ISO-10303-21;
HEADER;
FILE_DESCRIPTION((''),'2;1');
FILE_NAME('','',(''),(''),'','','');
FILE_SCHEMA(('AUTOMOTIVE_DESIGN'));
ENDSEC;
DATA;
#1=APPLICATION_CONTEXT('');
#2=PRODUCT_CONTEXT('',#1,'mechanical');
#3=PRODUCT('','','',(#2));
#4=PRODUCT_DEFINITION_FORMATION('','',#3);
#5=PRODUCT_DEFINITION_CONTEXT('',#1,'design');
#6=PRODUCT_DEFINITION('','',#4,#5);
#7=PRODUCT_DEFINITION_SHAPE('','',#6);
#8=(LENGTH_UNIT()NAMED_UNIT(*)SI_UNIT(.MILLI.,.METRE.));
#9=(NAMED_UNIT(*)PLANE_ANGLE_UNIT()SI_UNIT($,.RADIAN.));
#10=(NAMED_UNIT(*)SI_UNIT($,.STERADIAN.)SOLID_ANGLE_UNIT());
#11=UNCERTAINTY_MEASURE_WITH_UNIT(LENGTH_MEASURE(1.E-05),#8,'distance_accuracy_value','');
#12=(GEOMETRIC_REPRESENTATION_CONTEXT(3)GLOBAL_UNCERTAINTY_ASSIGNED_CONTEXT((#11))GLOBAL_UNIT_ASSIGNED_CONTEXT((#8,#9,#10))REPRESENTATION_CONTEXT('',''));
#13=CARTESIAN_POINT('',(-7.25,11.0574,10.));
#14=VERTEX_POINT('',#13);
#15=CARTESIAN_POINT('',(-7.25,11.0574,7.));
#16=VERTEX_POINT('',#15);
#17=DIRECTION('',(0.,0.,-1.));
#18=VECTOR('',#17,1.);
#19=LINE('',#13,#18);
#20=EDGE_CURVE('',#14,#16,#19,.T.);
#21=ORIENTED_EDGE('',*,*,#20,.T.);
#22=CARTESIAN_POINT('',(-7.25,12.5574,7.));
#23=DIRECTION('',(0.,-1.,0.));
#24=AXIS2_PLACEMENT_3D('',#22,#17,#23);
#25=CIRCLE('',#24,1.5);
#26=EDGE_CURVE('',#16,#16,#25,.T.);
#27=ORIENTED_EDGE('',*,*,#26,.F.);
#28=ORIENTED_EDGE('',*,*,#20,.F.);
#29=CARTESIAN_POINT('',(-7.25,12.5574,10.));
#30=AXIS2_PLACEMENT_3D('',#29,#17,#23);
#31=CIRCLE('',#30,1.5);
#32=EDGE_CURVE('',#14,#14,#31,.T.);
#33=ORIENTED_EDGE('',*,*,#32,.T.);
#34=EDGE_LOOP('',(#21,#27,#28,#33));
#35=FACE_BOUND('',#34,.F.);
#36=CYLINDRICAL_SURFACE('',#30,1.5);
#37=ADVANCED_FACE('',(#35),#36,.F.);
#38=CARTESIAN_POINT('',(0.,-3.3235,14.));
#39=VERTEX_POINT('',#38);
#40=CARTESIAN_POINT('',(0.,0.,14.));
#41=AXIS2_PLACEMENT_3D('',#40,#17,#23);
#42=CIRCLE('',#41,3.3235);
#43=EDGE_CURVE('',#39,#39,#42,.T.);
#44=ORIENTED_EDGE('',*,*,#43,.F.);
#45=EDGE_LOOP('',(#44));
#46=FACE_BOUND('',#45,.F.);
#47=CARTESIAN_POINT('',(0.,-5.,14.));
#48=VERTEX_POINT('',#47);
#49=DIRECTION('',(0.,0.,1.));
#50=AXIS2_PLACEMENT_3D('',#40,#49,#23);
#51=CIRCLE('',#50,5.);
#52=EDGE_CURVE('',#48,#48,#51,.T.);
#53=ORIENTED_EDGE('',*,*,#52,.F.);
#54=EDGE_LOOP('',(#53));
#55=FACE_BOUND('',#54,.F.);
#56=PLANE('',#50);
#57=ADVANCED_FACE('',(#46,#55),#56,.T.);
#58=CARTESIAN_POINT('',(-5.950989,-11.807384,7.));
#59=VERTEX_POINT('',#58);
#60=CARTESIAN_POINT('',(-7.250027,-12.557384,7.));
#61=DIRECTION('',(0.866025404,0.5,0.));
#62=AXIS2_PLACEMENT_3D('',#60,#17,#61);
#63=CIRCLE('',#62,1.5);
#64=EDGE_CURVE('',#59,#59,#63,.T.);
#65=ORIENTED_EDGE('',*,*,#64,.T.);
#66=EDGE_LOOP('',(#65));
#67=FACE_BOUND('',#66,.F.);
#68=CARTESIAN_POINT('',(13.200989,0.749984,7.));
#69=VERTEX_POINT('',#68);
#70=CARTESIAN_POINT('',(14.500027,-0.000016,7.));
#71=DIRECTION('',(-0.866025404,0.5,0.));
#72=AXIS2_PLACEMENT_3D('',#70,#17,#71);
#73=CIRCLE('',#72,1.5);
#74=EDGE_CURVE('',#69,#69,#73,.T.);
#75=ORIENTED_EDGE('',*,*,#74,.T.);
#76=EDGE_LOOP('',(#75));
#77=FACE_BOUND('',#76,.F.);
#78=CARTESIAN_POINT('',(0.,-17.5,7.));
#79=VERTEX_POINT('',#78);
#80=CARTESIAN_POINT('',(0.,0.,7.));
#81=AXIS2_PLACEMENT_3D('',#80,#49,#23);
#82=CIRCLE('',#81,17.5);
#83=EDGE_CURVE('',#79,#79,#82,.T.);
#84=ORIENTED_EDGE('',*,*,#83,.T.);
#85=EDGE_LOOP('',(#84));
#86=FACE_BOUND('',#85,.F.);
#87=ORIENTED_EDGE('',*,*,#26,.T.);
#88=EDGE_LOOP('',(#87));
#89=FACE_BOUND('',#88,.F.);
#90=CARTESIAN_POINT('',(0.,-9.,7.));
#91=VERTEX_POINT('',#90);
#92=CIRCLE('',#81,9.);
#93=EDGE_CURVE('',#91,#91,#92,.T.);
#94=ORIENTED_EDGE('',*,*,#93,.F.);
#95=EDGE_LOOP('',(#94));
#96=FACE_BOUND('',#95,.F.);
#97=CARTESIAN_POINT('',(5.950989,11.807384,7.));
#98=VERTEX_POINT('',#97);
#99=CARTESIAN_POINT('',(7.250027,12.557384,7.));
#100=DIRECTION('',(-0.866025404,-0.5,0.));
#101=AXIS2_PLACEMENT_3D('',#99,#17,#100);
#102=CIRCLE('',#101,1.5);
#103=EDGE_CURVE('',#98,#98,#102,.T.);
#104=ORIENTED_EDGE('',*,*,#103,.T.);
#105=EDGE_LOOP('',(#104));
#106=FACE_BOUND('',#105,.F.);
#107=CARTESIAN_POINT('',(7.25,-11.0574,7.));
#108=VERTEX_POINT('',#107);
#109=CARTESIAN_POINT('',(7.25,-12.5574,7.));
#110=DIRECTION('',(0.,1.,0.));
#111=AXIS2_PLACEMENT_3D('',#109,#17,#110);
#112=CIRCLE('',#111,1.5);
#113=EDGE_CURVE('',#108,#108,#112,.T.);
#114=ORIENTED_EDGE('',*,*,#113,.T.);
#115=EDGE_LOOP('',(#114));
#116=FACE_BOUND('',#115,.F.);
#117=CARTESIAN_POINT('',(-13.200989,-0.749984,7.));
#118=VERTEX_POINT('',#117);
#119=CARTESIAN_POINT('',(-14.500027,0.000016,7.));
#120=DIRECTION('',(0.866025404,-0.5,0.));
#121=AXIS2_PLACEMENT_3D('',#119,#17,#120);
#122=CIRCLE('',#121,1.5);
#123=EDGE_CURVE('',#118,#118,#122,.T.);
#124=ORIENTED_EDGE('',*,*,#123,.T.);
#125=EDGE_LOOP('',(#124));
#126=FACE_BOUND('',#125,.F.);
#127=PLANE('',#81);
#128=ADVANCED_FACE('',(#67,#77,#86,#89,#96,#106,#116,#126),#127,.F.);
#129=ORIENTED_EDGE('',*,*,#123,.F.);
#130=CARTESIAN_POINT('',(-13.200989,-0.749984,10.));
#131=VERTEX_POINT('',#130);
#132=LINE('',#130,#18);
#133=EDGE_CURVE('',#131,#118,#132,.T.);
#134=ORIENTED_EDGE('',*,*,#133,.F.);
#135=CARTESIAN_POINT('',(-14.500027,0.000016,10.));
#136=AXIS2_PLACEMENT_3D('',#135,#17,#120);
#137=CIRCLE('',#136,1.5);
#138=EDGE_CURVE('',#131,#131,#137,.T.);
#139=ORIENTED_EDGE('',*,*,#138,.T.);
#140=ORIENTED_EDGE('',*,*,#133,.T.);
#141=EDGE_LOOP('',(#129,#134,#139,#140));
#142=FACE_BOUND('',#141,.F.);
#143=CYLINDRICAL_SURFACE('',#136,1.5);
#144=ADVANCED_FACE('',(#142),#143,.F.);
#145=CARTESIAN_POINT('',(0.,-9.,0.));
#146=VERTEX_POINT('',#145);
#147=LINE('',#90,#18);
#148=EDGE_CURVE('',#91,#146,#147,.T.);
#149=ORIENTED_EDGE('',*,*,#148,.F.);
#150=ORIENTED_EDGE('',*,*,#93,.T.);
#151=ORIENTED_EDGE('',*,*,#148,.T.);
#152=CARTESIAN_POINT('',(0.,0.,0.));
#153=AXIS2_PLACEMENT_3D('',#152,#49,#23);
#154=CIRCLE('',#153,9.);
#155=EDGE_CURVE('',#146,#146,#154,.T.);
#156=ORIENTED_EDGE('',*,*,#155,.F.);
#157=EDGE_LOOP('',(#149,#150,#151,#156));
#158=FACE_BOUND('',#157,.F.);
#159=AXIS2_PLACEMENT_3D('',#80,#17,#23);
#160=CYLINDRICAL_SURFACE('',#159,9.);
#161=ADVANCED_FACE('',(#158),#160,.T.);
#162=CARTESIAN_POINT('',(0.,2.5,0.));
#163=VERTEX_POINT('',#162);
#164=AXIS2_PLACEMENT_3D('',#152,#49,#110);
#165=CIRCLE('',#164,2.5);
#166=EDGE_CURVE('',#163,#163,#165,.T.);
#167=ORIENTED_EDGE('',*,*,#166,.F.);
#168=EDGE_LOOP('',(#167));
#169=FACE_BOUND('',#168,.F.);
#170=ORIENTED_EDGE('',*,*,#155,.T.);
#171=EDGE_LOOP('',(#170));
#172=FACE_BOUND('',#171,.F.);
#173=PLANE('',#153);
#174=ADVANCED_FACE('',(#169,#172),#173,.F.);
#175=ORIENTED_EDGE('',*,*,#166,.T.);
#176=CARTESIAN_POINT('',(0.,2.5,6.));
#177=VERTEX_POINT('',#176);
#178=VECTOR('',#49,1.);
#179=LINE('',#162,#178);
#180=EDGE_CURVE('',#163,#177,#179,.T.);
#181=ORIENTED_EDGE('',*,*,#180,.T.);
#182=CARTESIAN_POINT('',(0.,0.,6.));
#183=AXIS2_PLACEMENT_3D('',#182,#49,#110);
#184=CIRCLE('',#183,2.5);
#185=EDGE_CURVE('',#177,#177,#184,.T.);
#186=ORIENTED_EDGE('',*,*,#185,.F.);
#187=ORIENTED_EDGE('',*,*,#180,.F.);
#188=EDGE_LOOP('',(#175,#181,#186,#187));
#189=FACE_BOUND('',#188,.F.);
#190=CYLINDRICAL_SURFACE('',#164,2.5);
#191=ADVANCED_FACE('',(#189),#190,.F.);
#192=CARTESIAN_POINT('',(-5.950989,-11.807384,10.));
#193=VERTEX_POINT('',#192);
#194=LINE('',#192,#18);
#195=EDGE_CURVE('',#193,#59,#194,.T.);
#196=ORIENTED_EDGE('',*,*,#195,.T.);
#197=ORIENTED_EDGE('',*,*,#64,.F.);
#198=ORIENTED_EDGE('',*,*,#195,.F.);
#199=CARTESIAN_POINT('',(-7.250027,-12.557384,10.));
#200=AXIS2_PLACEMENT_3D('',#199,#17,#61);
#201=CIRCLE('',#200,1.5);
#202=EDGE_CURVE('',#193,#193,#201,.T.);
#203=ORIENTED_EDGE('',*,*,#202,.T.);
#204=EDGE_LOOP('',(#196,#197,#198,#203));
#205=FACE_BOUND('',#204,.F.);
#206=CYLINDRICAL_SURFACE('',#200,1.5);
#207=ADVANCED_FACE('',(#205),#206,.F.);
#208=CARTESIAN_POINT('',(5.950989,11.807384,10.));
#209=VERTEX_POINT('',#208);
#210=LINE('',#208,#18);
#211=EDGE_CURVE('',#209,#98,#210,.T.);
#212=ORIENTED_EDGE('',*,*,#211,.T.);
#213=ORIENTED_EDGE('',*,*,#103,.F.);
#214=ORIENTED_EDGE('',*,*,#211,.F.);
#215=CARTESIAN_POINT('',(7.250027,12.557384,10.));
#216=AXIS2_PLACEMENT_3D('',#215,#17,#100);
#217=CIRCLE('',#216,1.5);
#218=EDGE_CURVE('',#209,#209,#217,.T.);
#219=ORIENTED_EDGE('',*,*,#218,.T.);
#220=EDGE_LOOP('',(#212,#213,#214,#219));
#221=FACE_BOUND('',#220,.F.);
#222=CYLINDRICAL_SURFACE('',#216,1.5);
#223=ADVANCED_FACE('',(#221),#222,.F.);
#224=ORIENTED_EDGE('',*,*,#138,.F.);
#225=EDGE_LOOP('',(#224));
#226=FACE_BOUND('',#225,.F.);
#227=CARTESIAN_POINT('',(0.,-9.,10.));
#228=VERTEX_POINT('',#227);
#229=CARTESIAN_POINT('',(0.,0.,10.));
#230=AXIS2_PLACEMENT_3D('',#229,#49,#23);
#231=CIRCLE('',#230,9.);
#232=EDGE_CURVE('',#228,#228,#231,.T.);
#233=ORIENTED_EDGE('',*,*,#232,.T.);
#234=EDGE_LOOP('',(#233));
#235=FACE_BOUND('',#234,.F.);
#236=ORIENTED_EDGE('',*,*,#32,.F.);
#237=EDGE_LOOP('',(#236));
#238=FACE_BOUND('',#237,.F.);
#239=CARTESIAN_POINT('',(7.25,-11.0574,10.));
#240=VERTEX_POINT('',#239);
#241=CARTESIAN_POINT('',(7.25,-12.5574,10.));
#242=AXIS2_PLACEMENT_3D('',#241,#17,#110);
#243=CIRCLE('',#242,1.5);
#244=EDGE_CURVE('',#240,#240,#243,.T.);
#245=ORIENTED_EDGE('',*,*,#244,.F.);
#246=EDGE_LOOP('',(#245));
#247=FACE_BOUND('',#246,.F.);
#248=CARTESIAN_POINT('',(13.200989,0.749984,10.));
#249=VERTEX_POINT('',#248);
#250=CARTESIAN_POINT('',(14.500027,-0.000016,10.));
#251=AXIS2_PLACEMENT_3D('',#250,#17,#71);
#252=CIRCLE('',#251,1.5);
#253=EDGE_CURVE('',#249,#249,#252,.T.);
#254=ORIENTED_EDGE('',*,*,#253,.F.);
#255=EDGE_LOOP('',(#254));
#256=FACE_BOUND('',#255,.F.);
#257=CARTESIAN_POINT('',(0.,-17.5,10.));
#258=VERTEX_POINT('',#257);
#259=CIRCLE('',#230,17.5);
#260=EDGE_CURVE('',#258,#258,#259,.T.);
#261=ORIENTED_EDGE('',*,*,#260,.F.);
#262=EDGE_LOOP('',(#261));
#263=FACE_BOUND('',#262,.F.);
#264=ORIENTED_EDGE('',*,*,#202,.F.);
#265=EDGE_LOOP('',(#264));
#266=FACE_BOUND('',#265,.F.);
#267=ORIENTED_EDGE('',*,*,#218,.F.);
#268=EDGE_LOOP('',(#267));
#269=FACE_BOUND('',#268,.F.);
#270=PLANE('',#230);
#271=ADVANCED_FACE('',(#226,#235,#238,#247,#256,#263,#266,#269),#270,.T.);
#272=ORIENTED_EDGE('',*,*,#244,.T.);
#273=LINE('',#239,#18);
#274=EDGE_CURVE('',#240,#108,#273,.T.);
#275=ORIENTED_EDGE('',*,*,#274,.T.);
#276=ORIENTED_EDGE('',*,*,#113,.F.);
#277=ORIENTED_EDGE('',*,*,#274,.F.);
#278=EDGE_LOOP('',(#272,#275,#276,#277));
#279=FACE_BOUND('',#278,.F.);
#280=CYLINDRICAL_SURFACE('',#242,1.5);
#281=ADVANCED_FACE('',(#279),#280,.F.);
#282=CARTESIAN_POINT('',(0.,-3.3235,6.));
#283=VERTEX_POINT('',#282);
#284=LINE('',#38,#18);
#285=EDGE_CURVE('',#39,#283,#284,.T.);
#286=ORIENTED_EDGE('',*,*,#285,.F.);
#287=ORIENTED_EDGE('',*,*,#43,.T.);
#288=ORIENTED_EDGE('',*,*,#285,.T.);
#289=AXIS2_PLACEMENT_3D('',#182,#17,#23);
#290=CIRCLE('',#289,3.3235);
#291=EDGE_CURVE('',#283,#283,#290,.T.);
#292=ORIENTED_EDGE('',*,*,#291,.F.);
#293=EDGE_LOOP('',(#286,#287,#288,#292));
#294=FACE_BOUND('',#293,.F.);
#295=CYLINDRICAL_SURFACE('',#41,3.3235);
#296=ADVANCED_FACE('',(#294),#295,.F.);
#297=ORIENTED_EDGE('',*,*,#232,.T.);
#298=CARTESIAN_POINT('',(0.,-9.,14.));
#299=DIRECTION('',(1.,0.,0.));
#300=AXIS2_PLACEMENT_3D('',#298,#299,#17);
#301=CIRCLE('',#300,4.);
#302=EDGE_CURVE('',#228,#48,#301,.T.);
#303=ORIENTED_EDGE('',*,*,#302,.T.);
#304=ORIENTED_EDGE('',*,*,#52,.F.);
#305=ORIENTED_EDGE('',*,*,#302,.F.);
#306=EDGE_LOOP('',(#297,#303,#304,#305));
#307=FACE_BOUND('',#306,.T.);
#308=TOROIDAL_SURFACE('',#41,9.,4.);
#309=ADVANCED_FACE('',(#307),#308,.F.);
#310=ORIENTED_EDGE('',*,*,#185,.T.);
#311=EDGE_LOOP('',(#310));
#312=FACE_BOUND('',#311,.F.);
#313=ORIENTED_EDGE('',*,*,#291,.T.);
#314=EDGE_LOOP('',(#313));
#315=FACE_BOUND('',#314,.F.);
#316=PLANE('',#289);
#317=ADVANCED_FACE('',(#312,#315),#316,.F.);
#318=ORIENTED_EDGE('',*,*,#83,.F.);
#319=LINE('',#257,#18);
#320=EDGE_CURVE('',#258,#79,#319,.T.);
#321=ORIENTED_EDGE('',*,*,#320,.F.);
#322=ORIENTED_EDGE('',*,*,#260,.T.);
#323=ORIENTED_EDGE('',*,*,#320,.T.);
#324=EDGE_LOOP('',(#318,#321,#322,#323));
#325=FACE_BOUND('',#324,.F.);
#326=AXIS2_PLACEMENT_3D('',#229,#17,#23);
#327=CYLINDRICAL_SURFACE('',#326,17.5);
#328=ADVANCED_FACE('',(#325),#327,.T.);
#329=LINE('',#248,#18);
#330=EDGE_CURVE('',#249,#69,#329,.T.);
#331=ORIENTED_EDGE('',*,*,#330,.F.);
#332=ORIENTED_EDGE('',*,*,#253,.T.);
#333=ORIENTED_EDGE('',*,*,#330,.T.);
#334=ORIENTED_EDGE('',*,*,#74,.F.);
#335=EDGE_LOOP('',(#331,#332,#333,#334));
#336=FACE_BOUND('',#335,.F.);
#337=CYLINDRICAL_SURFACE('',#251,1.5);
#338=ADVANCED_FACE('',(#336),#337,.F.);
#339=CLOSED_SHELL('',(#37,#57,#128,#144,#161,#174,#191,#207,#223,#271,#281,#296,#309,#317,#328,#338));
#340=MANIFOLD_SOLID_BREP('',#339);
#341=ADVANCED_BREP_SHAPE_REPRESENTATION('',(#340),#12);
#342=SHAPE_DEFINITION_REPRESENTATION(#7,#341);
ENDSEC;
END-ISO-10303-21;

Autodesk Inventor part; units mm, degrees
ref_plane "XZ Plane" through (0, 0, 0) normal (0, 1, 0) x (-1, 0, 0)
ref_plane "XY Plane" through (0, 0, 0) normal (0, 0, 1) x (1, 0, 0)
ref_plane "Work Plane1" through (0, 0, 0) normal (1, 0, 0) x (0, 1, 0)
sketch "Sketch3" plane through (0, 0, 0) normal (1, 0, 0) x (0, 1, 0)
  line L0 (0, 0) -> (0, 14)
  line L1 (0, 14) -> (-5, 14)
  arc A0 (-9, 10) -> (-5, 14) centre (-9, 14) ccw
  line L2 (-9, 10) -> (-17.5, 10)
  line L3 (-17.5, 10) -> (-17.5, 7)
  line L4 (-17.5, 7) -> (-9, 7)
  line L5 (-9, 7) -> (-9, 0)
  line L6 (-9, 0) -> (0, 0)
  dimension "d10" = 4
  dimension "d11" = 3
  dimension "d12" = 35
  dimension "d13" = 7
  dimension "d14" = 18
revolve "Revolution2" add sketch "Sketch3" angle 360 about axis through (0, 0, 0) along (0, 0, 1)
sketch "Sketch4" plane through (0, 0, 14) normal (0, 0, 1) x (1, 0, 0)
  circle A0 centre (0, 0) radius 5 projected
  point P0 (0, 0)
hole "Hole1" at (0, 0, 14) direction (0, 0, -1) diameter 6.647 depth 8 thread size "M8x1.25" class "6H" standard "ISO Metric profile"
sketch "Sketch5" plane through (0, 0, 0) normal (0, 0, -1) x (-1, 0, 0)
  circle A0 centre (0, 0) radius 9 projected
  point P0 (0, 0)
hole "Hole2" at (0, 0, 0) direction (0, 0, 1) diameter 5 depth 6
sketch "Sketch6" plane through (0, 0, 10) normal (0, 0, 1) x (1, 0, 0)
  line L0 (0, 0) -> (0, 20.3424) construction
  circle A0 centre (0, 0) radius 2.5 projected
  line L1 (0, 0) -> (-11.8721, 20.5631) construction
  circle A1 centre (0, 0) radius 5 projected
  circle A2 centre (0, 0) radius 14.5 construction
  point P0 (-7.25, 12.5574)
  dimension "d31" = 29
  dimension "d30" = 30
hole "Hole3" at (-7.25, 12.5574, 10) direction (0, 0, -1) diameter 3 depth 3
pattern_circular "Circular Pattern1" count 6 over 360 about axis through (0, 0, 8.5) along (0, 0, 1) of "Hole3"
properties part number "156" material "Gold"
